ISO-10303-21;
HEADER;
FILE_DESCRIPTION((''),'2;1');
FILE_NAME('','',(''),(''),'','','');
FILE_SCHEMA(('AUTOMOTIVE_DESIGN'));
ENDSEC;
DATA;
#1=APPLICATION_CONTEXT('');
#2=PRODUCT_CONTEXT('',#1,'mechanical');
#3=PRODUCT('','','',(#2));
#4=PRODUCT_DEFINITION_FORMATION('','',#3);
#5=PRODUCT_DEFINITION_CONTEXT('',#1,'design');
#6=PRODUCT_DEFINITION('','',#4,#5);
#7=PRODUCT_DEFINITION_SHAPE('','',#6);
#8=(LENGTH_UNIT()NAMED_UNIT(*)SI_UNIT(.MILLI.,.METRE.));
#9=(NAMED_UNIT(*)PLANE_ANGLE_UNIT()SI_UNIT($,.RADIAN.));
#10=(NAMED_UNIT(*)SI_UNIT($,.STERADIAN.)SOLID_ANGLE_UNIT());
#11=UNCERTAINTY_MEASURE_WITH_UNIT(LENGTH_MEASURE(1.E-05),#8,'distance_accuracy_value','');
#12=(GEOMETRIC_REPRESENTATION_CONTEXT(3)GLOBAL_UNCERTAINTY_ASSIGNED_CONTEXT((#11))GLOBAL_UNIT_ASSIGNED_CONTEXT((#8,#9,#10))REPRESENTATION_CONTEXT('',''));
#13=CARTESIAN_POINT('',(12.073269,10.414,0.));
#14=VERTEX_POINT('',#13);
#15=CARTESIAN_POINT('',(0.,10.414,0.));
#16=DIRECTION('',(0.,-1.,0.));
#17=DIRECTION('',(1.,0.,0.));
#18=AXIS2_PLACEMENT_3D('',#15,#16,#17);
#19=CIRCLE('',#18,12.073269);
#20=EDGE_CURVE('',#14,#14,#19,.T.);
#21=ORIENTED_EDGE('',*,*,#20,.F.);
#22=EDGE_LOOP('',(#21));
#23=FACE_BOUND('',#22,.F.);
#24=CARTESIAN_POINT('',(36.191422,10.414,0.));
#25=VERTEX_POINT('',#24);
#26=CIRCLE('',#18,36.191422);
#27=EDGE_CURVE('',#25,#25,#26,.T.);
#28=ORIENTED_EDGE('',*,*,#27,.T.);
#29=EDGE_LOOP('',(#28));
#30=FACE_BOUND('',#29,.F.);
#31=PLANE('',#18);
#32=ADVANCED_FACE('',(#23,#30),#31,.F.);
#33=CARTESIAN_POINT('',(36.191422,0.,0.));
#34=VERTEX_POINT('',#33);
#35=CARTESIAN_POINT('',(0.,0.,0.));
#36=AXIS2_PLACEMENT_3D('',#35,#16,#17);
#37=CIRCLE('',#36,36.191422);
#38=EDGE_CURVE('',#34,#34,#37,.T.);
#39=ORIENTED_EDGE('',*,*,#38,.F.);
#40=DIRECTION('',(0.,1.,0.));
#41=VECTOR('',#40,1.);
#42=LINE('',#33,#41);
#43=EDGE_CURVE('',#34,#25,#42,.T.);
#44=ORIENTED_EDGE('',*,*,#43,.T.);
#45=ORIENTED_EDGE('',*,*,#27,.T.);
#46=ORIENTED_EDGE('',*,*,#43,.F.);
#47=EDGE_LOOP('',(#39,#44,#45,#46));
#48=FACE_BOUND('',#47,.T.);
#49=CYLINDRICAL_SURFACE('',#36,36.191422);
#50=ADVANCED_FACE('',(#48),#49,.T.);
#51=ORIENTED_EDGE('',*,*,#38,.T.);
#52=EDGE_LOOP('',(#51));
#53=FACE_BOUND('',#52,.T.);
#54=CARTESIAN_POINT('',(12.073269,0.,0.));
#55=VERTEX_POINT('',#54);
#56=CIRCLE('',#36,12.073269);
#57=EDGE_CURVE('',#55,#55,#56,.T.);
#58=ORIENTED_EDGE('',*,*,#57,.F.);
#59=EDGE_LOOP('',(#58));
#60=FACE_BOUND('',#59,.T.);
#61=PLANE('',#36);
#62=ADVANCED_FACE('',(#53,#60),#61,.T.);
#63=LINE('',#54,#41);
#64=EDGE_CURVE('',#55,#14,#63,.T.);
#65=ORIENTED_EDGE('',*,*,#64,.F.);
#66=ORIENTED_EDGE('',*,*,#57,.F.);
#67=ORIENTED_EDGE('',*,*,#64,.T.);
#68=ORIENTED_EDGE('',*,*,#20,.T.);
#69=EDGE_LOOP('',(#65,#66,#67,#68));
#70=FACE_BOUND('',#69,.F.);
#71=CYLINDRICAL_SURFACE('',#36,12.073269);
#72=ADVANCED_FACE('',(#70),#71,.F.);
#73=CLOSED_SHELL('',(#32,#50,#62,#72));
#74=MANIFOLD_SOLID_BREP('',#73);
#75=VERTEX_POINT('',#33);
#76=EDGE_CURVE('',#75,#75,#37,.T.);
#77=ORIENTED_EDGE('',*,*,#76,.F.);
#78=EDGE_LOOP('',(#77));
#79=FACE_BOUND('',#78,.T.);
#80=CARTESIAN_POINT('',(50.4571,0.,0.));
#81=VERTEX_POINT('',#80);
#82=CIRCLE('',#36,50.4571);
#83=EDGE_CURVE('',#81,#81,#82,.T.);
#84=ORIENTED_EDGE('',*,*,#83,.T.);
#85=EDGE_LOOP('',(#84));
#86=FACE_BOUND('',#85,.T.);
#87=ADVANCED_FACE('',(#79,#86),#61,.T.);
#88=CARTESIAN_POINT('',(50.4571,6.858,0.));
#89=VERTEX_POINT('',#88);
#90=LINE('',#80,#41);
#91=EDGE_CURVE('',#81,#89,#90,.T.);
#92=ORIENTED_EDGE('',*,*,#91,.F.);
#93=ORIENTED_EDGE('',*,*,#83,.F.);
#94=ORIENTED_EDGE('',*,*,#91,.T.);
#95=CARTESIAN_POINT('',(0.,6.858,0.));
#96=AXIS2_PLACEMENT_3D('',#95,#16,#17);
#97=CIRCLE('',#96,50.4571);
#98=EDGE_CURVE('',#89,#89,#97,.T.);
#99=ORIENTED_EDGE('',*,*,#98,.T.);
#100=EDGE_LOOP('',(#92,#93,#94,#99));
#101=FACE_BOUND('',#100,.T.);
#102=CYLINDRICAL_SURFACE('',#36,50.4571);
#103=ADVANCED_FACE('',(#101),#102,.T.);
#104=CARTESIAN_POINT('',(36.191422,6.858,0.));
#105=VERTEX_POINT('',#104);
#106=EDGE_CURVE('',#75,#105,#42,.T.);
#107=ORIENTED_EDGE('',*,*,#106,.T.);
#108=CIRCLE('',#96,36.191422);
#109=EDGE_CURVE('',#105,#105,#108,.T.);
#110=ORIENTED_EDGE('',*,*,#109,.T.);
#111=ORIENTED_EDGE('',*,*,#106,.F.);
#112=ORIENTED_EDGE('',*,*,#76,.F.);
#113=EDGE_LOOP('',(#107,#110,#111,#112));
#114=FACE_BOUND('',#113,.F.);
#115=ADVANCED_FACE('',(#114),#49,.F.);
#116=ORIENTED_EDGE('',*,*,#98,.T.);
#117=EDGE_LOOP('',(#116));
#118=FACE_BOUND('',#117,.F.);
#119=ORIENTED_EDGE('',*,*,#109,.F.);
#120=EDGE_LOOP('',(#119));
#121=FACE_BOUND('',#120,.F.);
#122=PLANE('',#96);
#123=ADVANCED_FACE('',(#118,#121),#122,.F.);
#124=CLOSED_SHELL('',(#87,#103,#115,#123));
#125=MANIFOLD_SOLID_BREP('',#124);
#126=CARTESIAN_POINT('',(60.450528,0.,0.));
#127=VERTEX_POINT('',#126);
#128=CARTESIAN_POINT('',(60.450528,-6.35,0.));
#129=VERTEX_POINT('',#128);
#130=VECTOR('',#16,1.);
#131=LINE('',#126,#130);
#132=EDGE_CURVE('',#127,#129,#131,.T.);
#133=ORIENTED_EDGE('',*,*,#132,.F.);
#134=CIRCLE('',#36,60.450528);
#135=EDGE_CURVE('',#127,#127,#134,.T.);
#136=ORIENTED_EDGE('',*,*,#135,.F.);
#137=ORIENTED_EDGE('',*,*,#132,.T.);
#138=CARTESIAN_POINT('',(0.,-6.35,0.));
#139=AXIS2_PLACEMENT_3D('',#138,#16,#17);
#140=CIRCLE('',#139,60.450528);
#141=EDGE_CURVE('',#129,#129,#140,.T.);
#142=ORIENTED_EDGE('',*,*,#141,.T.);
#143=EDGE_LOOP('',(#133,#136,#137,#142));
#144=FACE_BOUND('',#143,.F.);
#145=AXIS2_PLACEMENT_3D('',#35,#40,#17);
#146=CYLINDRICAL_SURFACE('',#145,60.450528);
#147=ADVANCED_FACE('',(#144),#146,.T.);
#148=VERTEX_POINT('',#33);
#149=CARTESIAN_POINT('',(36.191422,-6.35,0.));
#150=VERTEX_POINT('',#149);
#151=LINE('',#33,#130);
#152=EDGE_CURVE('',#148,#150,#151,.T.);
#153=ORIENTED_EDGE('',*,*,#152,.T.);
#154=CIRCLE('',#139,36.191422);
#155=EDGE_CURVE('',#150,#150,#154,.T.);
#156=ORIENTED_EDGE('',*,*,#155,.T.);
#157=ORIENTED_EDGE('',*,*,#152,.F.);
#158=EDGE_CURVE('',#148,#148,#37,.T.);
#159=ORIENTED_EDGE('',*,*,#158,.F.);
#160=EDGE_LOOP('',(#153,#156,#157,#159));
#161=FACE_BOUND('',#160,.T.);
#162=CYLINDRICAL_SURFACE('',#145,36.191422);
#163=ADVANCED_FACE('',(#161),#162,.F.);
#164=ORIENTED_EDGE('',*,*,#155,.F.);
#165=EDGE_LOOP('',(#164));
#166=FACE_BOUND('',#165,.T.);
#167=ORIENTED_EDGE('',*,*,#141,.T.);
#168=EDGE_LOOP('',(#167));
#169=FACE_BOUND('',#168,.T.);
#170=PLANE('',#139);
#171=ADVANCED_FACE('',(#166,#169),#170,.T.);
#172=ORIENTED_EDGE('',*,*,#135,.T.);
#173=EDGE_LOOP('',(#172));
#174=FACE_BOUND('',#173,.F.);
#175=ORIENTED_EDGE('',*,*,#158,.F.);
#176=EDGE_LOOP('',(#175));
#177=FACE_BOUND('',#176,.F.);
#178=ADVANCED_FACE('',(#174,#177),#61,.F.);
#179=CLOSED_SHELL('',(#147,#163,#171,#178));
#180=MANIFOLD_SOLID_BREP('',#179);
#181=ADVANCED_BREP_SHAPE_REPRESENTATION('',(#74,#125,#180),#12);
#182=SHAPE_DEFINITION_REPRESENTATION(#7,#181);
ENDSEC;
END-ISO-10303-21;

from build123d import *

# Parameters (mm, degrees)
F0_R     = 36.191422
F0_R_2   = 12.073269
F1_DEPTH = 10.414
F0_R_3   = 60.450528
F2_DEPTH = 6.35
F3_R     = 50.4571
F3_R_2   = 36.191422
F4_DEPTH = 6.858


with BuildPart() as f1:
    # F0 (on Front) → F1 (new body)
    with BuildSketch(Plane.XZ):
        Circle(F0_R)
        Circle(F0_R_2, mode=Mode.SUBTRACT)
    extrude(amount=-F1_DEPTH)


with BuildPart() as f2:
    # F0 (on Front) → F2 (new body)
    with BuildSketch(Plane.XZ):
        Circle(F0_R_3)
        Circle(F0_R, mode=Mode.SUBTRACT)
    extrude(amount=F2_DEPTH)


with BuildPart() as f4:
    # F3 (on face) → F4 (new body)
    with BuildSketch(Plane.XZ):
        Circle(F3_R)
        Circle(F3_R_2, mode=Mode.SUBTRACT)
    extrude(amount=-F4_DEPTH)


solid = Compound([f1.part, f2.part, f4.part])
